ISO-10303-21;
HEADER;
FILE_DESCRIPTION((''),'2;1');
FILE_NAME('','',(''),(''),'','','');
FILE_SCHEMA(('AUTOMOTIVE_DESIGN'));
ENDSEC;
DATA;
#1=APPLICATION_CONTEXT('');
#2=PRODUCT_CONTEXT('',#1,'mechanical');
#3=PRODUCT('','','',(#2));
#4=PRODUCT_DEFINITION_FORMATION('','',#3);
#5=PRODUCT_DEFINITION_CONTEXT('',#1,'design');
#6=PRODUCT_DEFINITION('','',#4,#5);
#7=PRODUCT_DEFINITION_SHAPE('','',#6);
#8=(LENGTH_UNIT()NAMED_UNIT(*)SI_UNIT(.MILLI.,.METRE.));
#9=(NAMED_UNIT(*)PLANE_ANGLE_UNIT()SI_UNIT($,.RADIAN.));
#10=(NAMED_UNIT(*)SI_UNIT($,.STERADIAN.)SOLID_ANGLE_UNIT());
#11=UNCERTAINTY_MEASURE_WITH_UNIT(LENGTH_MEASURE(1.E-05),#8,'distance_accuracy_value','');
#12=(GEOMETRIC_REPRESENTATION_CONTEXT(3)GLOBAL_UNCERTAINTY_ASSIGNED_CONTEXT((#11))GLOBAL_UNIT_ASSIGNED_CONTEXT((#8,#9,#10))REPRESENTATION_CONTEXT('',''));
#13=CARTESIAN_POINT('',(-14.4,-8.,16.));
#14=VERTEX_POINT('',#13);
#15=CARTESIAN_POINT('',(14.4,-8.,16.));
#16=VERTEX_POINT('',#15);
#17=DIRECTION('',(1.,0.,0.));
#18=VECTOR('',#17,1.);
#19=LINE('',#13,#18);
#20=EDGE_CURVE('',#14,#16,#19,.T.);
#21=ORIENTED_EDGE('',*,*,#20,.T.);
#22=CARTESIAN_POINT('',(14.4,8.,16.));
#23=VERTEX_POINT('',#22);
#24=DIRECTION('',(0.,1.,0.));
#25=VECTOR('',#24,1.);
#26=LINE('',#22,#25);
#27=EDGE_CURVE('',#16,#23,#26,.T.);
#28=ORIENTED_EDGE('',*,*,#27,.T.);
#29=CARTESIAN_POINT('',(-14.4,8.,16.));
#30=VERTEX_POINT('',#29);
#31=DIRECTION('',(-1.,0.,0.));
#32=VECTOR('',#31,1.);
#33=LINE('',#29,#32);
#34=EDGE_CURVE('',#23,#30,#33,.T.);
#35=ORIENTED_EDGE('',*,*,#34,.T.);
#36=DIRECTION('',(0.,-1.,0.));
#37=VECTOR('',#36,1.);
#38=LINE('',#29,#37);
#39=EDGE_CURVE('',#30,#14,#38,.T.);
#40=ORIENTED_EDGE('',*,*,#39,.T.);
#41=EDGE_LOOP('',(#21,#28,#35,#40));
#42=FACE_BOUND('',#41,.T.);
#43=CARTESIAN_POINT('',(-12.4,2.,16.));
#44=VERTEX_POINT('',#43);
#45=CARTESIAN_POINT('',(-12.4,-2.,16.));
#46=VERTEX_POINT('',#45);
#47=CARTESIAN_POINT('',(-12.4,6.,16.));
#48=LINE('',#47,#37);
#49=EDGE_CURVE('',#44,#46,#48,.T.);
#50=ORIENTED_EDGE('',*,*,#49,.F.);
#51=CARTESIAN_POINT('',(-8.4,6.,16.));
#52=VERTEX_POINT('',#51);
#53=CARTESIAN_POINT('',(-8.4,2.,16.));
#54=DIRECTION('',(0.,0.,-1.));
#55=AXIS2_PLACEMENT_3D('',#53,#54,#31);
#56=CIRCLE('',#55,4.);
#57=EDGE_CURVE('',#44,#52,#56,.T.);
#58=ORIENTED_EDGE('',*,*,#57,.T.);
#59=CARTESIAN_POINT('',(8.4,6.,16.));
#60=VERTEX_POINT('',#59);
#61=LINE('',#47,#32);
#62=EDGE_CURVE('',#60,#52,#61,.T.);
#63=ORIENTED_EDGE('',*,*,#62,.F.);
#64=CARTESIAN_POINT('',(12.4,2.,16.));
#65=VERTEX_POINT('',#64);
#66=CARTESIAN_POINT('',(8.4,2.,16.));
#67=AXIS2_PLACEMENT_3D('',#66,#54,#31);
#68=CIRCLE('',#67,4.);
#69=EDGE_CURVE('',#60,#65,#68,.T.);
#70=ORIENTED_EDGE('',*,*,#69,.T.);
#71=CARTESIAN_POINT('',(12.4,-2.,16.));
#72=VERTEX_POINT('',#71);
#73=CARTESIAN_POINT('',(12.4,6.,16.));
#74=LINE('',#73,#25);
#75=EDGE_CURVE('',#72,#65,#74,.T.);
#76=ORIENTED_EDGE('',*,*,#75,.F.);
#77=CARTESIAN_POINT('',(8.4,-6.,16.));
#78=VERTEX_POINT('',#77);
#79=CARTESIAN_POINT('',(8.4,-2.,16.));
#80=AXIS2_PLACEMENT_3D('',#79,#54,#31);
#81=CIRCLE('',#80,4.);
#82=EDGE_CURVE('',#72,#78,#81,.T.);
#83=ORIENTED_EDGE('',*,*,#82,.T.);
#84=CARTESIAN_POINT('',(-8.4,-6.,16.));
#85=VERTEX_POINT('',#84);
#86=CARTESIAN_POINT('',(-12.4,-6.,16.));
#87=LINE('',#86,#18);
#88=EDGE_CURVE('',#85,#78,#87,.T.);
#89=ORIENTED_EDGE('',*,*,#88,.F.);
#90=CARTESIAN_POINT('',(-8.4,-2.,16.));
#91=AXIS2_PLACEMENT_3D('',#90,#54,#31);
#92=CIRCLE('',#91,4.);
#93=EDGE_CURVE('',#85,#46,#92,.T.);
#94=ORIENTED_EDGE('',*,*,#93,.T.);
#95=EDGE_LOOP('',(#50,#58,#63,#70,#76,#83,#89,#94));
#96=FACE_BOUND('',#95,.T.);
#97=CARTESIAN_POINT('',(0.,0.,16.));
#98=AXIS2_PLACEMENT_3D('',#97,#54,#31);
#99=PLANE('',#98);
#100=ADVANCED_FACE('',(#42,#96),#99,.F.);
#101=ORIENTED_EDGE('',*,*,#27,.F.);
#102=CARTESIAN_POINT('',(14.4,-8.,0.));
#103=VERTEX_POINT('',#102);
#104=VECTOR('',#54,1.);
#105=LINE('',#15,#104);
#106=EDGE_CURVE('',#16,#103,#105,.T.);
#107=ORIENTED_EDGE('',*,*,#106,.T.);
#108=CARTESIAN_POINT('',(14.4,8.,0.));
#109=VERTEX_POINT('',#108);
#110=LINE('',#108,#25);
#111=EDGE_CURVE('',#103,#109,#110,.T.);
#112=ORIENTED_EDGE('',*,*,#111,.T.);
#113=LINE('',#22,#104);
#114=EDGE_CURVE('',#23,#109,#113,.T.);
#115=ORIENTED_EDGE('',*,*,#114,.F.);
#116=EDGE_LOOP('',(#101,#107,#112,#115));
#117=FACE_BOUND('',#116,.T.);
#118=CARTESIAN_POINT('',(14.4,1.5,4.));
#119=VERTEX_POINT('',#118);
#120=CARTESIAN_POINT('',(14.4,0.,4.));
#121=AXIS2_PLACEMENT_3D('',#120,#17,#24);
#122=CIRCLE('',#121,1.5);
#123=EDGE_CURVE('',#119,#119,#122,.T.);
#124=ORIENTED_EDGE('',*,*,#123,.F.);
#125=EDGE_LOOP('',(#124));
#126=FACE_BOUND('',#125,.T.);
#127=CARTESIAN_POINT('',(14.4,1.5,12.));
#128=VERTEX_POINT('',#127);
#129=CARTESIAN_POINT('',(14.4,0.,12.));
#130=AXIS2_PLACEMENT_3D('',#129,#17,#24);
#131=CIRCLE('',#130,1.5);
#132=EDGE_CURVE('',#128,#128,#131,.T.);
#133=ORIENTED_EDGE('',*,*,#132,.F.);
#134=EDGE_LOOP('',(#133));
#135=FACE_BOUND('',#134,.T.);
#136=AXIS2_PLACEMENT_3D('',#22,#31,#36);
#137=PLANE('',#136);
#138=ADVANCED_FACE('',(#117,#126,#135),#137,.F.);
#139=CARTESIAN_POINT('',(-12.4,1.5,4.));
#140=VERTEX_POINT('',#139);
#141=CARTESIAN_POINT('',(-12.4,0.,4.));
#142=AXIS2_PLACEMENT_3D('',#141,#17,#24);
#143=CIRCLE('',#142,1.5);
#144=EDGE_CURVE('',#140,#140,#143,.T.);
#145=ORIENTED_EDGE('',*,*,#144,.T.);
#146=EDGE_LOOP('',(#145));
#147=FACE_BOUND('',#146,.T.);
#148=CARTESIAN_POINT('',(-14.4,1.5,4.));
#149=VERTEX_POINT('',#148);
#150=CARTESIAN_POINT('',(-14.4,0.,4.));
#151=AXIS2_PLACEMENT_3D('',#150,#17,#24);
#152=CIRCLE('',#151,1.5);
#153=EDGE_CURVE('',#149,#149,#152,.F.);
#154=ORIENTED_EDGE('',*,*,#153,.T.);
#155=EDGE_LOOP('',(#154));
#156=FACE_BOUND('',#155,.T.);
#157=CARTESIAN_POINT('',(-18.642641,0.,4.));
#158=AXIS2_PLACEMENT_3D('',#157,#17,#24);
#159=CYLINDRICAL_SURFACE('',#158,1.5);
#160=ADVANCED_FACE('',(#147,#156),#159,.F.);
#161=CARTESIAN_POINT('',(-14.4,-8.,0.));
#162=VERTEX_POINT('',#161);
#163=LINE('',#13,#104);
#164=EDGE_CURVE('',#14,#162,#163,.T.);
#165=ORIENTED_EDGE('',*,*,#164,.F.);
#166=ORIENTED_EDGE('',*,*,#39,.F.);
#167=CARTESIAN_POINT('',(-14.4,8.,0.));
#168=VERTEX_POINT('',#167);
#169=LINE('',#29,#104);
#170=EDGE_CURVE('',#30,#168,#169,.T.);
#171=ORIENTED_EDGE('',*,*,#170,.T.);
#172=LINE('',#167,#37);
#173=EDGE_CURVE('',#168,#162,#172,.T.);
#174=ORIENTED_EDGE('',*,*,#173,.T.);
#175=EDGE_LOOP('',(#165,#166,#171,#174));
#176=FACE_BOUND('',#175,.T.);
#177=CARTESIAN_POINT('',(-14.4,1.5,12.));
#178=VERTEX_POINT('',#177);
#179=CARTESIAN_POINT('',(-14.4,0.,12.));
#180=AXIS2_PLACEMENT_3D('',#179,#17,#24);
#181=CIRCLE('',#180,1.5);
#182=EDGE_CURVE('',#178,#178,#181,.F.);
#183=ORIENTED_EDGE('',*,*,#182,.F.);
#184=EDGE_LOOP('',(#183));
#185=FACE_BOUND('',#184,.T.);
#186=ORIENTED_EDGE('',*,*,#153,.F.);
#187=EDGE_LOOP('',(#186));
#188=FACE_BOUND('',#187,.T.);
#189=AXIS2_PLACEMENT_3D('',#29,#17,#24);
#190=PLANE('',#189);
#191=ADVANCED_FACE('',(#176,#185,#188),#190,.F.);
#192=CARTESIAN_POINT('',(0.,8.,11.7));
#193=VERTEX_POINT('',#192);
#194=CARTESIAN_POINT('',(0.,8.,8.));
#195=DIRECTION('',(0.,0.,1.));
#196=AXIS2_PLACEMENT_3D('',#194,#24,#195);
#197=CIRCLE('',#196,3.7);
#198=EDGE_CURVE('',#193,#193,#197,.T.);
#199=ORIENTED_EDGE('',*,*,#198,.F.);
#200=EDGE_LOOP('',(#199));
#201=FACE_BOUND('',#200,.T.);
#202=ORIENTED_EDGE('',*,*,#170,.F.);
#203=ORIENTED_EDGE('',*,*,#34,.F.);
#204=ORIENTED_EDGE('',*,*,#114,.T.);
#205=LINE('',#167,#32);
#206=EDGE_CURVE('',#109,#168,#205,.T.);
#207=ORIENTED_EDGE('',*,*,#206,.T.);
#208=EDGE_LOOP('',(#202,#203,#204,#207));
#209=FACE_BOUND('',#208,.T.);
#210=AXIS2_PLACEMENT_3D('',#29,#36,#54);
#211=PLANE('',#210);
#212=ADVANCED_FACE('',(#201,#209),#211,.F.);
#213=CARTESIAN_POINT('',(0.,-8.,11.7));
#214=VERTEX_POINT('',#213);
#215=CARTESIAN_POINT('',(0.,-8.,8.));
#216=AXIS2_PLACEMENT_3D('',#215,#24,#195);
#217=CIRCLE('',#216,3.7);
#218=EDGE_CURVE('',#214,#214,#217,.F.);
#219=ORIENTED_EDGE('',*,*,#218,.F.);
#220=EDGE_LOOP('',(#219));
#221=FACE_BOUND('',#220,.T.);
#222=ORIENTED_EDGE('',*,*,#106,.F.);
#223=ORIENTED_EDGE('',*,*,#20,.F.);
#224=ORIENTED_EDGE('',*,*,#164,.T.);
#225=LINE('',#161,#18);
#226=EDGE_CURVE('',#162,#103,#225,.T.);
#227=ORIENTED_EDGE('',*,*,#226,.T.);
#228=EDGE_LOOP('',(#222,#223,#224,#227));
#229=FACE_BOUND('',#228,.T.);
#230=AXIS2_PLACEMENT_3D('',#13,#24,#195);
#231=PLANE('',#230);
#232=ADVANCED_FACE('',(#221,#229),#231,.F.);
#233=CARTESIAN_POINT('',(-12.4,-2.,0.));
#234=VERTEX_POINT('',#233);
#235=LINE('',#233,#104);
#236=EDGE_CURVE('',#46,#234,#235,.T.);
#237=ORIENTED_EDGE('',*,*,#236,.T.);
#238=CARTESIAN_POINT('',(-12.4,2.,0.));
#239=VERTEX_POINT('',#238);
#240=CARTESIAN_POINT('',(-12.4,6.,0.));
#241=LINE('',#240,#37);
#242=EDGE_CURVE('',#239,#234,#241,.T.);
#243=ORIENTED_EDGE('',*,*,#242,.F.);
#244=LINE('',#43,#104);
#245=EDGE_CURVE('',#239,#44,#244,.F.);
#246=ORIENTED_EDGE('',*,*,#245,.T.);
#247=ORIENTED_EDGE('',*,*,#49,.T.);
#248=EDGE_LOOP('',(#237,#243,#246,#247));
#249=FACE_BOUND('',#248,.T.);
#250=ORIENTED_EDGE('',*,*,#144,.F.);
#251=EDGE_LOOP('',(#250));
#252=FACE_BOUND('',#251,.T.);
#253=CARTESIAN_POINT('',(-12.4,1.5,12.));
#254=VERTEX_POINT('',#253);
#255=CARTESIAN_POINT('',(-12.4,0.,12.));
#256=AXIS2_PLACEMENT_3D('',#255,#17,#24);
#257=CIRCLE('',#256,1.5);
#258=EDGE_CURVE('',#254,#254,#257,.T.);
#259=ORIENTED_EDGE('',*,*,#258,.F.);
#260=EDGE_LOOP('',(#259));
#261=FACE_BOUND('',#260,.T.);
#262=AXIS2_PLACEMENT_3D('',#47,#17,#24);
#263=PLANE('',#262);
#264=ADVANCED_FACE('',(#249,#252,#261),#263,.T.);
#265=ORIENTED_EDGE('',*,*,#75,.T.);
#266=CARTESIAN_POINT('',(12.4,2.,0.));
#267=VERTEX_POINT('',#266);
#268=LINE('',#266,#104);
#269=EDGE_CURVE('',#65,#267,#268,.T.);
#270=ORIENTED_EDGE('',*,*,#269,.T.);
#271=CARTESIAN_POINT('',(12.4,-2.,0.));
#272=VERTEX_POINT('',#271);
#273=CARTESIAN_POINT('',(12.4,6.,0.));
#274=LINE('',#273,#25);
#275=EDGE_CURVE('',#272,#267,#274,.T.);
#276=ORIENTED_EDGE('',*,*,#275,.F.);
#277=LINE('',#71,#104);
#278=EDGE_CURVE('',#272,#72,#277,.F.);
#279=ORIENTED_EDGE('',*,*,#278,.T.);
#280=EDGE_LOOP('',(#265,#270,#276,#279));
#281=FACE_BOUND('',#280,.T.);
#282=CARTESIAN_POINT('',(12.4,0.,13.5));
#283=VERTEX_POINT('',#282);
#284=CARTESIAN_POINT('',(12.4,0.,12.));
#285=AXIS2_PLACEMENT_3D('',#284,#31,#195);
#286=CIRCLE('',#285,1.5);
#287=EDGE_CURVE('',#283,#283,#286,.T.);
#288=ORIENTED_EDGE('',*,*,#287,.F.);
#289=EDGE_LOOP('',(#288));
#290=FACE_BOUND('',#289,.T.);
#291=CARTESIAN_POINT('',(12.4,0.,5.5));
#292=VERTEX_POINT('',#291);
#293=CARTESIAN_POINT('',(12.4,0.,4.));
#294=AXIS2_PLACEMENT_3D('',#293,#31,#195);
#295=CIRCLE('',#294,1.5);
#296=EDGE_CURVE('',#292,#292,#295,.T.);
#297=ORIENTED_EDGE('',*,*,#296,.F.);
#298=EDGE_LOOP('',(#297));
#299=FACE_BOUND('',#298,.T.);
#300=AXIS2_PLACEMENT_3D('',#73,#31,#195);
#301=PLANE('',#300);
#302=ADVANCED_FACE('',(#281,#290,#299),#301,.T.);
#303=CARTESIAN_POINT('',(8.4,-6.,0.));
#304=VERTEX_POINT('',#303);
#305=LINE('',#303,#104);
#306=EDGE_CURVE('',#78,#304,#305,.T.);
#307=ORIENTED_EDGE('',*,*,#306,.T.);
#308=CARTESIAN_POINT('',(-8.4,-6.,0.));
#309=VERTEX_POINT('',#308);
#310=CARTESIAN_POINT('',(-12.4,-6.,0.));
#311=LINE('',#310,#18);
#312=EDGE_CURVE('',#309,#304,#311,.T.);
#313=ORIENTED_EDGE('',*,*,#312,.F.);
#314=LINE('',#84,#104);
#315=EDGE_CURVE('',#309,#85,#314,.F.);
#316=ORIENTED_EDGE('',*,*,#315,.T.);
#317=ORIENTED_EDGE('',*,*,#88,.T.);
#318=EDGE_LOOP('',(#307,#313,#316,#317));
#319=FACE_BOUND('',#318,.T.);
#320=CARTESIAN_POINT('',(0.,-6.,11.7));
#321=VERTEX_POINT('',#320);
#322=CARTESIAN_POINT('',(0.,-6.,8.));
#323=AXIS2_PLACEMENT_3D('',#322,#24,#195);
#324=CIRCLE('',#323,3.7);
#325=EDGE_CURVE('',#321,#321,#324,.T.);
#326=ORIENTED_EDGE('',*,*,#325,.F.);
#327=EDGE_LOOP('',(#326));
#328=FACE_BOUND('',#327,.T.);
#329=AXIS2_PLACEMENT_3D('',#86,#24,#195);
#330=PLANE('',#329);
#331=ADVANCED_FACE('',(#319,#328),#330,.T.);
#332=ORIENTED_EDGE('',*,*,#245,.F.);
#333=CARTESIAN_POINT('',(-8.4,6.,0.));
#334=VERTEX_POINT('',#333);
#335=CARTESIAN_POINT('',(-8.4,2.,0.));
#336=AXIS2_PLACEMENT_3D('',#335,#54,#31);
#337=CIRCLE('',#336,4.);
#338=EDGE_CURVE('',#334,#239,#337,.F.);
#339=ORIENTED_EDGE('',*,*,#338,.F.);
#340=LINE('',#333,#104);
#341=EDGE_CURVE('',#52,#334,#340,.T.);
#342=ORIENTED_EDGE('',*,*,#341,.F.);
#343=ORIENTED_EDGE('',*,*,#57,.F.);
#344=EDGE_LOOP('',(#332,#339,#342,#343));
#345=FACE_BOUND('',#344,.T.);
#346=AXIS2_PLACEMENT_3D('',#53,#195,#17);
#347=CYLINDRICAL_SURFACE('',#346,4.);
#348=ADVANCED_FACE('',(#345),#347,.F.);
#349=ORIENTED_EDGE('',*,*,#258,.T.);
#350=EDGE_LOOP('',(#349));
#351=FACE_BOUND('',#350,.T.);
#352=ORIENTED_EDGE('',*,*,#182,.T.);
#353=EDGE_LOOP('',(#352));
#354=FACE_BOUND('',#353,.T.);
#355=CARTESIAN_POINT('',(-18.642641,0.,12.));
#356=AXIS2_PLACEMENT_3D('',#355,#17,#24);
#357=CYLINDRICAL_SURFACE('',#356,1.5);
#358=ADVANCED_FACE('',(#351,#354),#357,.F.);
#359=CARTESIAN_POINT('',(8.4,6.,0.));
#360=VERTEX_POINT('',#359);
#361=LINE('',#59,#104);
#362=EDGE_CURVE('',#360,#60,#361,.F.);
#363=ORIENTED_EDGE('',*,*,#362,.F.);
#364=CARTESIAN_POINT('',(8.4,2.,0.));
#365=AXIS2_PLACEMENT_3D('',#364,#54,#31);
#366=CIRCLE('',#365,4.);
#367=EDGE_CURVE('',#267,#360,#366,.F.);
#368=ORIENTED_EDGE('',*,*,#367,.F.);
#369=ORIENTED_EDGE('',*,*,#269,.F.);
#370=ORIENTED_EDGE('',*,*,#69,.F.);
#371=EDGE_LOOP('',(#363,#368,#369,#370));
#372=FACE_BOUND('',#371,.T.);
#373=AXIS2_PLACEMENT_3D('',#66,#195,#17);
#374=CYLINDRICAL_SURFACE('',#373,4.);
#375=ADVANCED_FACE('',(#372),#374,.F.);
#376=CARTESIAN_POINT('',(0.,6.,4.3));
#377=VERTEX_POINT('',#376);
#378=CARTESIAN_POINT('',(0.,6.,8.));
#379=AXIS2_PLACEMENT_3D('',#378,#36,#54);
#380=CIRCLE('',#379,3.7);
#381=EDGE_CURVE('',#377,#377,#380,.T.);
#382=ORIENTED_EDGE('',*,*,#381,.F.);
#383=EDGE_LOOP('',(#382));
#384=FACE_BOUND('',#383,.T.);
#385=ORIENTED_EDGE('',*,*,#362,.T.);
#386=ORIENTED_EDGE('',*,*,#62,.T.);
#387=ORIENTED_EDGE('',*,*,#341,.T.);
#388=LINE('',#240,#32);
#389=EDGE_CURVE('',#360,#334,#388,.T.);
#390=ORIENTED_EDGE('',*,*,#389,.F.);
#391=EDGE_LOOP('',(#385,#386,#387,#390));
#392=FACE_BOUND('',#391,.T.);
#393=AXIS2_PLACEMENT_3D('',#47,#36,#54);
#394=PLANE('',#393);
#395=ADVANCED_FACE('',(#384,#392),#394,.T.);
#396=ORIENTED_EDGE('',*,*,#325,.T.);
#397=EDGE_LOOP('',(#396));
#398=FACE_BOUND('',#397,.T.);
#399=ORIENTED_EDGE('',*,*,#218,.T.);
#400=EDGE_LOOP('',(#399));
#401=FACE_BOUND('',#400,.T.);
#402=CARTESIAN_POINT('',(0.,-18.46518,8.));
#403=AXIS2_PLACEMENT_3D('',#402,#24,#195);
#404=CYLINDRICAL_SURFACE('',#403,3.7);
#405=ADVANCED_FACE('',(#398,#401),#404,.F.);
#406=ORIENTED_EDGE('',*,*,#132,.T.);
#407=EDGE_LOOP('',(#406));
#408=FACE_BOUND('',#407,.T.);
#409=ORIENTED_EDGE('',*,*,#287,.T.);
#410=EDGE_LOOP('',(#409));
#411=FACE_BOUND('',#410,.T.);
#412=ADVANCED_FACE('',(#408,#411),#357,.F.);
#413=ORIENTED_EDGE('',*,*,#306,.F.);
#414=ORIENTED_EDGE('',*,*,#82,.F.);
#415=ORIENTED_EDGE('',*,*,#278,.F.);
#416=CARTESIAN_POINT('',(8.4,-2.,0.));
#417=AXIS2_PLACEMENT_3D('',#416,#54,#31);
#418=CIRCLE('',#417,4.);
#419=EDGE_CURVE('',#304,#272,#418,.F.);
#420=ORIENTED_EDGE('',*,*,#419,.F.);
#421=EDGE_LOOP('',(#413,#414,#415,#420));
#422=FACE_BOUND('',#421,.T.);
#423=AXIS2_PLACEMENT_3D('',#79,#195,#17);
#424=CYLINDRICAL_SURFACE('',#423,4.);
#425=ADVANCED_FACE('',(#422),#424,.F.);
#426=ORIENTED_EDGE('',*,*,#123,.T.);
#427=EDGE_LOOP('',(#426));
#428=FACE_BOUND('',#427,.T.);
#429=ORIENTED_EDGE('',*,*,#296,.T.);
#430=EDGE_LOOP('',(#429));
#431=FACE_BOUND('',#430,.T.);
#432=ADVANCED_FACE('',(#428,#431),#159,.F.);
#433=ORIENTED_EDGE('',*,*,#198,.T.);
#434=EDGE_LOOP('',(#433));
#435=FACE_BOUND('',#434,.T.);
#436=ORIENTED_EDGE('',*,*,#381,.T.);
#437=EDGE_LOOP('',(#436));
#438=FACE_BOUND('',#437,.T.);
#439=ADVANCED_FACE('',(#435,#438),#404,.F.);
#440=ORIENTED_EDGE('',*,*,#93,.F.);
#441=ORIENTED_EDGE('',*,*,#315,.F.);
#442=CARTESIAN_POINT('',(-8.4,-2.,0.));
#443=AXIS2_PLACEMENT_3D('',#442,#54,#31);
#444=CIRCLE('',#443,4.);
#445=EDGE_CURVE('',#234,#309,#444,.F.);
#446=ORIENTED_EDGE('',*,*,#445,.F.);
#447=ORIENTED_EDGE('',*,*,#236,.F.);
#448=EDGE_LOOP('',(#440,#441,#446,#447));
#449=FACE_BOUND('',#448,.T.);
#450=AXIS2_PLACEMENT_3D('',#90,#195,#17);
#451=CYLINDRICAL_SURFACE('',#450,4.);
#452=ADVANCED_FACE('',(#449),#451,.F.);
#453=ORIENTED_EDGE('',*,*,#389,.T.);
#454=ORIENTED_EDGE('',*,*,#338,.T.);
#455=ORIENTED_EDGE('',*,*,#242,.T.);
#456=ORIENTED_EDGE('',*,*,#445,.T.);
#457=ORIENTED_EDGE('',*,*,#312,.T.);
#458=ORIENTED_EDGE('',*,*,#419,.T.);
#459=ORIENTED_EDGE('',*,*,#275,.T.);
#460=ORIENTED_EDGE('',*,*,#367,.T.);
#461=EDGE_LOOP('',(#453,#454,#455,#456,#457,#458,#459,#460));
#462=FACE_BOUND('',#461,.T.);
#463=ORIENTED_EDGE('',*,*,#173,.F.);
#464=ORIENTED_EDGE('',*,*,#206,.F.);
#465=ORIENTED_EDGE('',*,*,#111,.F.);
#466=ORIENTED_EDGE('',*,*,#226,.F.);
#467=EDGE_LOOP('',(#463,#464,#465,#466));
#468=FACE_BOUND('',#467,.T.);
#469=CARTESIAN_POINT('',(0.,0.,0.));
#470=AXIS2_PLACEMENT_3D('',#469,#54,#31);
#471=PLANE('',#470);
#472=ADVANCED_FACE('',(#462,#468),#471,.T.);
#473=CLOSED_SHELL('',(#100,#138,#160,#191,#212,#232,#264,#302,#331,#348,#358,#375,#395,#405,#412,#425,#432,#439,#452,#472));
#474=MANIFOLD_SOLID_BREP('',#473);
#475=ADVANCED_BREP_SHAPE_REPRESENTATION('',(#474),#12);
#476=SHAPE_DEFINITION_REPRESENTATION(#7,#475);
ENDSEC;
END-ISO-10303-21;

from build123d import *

# Parameters (mm, degrees)
SKETCH_1_W          = 28.8
SKETCH_1_H          = 16
SKETCH_1_W_2        = 24.8
SKETCH_1_H_2        = 12
EXTRUDE_1_DEPTH     = 16
SKETCH_2_R          = 1.5
CUT_EXTRUDE_1_DEPTH = 28.8
SKETCH_3_R          = 3.7
CUT_EXTRUDE_2_DEPTH = 16
FILLET_1_R          = 4


with BuildPart() as part:
    # 草图1 → 凸台-拉伸1 (new body)
    with BuildSketch(Plane.XY):
        Rectangle(SKETCH_1_W, SKETCH_1_H)
        Rectangle(SKETCH_1_W_2, SKETCH_1_H_2, mode=Mode.SUBTRACT)
    extrude(amount=EXTRUDE_1_DEPTH)

    # 草图2 → 切除-拉伸1 (cut)
    with BuildSketch(Plane(origin=(14.4, 0, 0), x_dir=(0, 0, -1), z_dir=(1, 0, 0))):
        with Locations((-12, 0)):
            Circle(SKETCH_2_R)
        with Locations((-4, 0)):
            Circle(SKETCH_2_R)
    extrude(amount=-CUT_EXTRUDE_1_DEPTH, mode=Mode.SUBTRACT)

    # 草图3 → 切除-拉伸2 (cut)
    with BuildSketch(Plane(origin=(0, 8, 0), x_dir=(1, 0, 0), z_dir=(0, 1, 0))):
        with Locations((0, -8)):
            Circle(SKETCH_3_R)
    extrude(amount=-CUT_EXTRUDE_2_DEPTH, mode=Mode.SUBTRACT)

    # 圆角1
    fillet_1_edges = [part.edges().sort_by_distance(p)[0] for p in [
        (12.4, -6, 8),
        (12.4, 6, 8),
        (-12.4, 6, 8),
        (-12.4, -6, 8),
    ]]
    fillet(fillet_1_edges, radius=FILLET_1_R)


solid = part.part
